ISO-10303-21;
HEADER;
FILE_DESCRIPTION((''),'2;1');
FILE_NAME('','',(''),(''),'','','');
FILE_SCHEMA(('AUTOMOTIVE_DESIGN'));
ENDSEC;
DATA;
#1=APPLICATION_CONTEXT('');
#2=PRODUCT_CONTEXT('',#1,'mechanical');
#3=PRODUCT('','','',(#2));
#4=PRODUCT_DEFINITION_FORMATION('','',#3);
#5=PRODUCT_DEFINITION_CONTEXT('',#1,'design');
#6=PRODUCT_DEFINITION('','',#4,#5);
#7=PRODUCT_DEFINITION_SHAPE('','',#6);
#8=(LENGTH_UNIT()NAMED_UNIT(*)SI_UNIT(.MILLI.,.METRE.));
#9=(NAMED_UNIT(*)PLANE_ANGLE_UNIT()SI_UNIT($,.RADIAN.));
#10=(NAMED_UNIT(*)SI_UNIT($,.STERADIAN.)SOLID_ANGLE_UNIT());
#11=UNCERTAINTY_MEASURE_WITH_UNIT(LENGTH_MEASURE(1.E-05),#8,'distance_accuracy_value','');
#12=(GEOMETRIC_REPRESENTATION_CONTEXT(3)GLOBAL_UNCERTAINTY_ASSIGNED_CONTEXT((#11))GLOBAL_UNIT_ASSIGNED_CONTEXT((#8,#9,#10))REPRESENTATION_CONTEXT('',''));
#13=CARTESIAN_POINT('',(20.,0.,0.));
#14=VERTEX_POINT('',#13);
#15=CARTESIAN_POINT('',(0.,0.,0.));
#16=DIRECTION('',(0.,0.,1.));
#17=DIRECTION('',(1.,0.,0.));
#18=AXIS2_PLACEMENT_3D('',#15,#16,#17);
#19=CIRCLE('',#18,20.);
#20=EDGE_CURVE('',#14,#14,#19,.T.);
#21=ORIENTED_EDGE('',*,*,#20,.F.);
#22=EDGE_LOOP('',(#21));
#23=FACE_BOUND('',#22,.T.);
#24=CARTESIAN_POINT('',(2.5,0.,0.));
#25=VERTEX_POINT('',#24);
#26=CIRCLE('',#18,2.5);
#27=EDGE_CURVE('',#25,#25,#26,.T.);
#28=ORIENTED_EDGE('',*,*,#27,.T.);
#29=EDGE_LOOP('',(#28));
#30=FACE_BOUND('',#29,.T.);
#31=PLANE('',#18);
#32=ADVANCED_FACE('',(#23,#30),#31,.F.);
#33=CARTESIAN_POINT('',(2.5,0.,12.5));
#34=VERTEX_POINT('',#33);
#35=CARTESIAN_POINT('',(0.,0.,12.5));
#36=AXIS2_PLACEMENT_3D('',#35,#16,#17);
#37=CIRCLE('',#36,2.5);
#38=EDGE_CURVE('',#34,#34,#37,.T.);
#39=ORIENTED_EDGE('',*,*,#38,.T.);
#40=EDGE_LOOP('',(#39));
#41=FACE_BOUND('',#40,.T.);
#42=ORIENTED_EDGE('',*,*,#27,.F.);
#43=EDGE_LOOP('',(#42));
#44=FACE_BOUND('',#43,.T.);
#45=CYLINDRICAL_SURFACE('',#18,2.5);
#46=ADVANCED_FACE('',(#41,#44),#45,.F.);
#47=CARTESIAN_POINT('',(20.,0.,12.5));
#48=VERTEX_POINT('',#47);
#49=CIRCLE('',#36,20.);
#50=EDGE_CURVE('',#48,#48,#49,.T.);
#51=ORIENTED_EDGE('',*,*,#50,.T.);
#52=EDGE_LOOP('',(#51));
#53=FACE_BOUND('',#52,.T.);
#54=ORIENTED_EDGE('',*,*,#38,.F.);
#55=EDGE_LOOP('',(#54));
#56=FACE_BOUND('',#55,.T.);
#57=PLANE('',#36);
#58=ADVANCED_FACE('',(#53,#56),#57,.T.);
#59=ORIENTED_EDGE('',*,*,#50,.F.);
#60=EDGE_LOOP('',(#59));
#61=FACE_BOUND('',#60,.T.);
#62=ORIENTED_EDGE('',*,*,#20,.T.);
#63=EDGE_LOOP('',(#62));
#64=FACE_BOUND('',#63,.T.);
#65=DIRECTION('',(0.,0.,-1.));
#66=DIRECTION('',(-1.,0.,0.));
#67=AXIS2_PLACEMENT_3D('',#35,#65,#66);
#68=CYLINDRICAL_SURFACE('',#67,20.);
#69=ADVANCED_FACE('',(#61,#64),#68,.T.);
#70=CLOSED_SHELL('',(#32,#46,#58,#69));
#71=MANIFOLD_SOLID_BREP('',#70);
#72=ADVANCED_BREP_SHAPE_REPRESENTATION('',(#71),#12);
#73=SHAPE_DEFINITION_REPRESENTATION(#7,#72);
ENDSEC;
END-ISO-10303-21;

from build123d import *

# Parameters (mm, degrees)
CROQUIS1_R              = 20
SALIENTE_EXTRUIR1_DEPTH = 12.5
CROQUIS2_R              = 2.5
CORTAR_EXTRUIR1_DEPTH   = 12.5


with BuildPart() as part:
    # Croquis1 → Saliente-Extruir1 (new body)
    with BuildSketch(Plane.XY):
        Circle(CROQUIS1_R)
    extrude(amount=SALIENTE_EXTRUIR1_DEPTH)

    # Croquis2 → Cortar-Extruir1 (cut)
    with BuildSketch(Plane.XY.offset(12.5)):
        Circle(CROQUIS2_R)
    extrude(amount=-CORTAR_EXTRUIR1_DEPTH, mode=Mode.SUBTRACT)


solid = part.part
